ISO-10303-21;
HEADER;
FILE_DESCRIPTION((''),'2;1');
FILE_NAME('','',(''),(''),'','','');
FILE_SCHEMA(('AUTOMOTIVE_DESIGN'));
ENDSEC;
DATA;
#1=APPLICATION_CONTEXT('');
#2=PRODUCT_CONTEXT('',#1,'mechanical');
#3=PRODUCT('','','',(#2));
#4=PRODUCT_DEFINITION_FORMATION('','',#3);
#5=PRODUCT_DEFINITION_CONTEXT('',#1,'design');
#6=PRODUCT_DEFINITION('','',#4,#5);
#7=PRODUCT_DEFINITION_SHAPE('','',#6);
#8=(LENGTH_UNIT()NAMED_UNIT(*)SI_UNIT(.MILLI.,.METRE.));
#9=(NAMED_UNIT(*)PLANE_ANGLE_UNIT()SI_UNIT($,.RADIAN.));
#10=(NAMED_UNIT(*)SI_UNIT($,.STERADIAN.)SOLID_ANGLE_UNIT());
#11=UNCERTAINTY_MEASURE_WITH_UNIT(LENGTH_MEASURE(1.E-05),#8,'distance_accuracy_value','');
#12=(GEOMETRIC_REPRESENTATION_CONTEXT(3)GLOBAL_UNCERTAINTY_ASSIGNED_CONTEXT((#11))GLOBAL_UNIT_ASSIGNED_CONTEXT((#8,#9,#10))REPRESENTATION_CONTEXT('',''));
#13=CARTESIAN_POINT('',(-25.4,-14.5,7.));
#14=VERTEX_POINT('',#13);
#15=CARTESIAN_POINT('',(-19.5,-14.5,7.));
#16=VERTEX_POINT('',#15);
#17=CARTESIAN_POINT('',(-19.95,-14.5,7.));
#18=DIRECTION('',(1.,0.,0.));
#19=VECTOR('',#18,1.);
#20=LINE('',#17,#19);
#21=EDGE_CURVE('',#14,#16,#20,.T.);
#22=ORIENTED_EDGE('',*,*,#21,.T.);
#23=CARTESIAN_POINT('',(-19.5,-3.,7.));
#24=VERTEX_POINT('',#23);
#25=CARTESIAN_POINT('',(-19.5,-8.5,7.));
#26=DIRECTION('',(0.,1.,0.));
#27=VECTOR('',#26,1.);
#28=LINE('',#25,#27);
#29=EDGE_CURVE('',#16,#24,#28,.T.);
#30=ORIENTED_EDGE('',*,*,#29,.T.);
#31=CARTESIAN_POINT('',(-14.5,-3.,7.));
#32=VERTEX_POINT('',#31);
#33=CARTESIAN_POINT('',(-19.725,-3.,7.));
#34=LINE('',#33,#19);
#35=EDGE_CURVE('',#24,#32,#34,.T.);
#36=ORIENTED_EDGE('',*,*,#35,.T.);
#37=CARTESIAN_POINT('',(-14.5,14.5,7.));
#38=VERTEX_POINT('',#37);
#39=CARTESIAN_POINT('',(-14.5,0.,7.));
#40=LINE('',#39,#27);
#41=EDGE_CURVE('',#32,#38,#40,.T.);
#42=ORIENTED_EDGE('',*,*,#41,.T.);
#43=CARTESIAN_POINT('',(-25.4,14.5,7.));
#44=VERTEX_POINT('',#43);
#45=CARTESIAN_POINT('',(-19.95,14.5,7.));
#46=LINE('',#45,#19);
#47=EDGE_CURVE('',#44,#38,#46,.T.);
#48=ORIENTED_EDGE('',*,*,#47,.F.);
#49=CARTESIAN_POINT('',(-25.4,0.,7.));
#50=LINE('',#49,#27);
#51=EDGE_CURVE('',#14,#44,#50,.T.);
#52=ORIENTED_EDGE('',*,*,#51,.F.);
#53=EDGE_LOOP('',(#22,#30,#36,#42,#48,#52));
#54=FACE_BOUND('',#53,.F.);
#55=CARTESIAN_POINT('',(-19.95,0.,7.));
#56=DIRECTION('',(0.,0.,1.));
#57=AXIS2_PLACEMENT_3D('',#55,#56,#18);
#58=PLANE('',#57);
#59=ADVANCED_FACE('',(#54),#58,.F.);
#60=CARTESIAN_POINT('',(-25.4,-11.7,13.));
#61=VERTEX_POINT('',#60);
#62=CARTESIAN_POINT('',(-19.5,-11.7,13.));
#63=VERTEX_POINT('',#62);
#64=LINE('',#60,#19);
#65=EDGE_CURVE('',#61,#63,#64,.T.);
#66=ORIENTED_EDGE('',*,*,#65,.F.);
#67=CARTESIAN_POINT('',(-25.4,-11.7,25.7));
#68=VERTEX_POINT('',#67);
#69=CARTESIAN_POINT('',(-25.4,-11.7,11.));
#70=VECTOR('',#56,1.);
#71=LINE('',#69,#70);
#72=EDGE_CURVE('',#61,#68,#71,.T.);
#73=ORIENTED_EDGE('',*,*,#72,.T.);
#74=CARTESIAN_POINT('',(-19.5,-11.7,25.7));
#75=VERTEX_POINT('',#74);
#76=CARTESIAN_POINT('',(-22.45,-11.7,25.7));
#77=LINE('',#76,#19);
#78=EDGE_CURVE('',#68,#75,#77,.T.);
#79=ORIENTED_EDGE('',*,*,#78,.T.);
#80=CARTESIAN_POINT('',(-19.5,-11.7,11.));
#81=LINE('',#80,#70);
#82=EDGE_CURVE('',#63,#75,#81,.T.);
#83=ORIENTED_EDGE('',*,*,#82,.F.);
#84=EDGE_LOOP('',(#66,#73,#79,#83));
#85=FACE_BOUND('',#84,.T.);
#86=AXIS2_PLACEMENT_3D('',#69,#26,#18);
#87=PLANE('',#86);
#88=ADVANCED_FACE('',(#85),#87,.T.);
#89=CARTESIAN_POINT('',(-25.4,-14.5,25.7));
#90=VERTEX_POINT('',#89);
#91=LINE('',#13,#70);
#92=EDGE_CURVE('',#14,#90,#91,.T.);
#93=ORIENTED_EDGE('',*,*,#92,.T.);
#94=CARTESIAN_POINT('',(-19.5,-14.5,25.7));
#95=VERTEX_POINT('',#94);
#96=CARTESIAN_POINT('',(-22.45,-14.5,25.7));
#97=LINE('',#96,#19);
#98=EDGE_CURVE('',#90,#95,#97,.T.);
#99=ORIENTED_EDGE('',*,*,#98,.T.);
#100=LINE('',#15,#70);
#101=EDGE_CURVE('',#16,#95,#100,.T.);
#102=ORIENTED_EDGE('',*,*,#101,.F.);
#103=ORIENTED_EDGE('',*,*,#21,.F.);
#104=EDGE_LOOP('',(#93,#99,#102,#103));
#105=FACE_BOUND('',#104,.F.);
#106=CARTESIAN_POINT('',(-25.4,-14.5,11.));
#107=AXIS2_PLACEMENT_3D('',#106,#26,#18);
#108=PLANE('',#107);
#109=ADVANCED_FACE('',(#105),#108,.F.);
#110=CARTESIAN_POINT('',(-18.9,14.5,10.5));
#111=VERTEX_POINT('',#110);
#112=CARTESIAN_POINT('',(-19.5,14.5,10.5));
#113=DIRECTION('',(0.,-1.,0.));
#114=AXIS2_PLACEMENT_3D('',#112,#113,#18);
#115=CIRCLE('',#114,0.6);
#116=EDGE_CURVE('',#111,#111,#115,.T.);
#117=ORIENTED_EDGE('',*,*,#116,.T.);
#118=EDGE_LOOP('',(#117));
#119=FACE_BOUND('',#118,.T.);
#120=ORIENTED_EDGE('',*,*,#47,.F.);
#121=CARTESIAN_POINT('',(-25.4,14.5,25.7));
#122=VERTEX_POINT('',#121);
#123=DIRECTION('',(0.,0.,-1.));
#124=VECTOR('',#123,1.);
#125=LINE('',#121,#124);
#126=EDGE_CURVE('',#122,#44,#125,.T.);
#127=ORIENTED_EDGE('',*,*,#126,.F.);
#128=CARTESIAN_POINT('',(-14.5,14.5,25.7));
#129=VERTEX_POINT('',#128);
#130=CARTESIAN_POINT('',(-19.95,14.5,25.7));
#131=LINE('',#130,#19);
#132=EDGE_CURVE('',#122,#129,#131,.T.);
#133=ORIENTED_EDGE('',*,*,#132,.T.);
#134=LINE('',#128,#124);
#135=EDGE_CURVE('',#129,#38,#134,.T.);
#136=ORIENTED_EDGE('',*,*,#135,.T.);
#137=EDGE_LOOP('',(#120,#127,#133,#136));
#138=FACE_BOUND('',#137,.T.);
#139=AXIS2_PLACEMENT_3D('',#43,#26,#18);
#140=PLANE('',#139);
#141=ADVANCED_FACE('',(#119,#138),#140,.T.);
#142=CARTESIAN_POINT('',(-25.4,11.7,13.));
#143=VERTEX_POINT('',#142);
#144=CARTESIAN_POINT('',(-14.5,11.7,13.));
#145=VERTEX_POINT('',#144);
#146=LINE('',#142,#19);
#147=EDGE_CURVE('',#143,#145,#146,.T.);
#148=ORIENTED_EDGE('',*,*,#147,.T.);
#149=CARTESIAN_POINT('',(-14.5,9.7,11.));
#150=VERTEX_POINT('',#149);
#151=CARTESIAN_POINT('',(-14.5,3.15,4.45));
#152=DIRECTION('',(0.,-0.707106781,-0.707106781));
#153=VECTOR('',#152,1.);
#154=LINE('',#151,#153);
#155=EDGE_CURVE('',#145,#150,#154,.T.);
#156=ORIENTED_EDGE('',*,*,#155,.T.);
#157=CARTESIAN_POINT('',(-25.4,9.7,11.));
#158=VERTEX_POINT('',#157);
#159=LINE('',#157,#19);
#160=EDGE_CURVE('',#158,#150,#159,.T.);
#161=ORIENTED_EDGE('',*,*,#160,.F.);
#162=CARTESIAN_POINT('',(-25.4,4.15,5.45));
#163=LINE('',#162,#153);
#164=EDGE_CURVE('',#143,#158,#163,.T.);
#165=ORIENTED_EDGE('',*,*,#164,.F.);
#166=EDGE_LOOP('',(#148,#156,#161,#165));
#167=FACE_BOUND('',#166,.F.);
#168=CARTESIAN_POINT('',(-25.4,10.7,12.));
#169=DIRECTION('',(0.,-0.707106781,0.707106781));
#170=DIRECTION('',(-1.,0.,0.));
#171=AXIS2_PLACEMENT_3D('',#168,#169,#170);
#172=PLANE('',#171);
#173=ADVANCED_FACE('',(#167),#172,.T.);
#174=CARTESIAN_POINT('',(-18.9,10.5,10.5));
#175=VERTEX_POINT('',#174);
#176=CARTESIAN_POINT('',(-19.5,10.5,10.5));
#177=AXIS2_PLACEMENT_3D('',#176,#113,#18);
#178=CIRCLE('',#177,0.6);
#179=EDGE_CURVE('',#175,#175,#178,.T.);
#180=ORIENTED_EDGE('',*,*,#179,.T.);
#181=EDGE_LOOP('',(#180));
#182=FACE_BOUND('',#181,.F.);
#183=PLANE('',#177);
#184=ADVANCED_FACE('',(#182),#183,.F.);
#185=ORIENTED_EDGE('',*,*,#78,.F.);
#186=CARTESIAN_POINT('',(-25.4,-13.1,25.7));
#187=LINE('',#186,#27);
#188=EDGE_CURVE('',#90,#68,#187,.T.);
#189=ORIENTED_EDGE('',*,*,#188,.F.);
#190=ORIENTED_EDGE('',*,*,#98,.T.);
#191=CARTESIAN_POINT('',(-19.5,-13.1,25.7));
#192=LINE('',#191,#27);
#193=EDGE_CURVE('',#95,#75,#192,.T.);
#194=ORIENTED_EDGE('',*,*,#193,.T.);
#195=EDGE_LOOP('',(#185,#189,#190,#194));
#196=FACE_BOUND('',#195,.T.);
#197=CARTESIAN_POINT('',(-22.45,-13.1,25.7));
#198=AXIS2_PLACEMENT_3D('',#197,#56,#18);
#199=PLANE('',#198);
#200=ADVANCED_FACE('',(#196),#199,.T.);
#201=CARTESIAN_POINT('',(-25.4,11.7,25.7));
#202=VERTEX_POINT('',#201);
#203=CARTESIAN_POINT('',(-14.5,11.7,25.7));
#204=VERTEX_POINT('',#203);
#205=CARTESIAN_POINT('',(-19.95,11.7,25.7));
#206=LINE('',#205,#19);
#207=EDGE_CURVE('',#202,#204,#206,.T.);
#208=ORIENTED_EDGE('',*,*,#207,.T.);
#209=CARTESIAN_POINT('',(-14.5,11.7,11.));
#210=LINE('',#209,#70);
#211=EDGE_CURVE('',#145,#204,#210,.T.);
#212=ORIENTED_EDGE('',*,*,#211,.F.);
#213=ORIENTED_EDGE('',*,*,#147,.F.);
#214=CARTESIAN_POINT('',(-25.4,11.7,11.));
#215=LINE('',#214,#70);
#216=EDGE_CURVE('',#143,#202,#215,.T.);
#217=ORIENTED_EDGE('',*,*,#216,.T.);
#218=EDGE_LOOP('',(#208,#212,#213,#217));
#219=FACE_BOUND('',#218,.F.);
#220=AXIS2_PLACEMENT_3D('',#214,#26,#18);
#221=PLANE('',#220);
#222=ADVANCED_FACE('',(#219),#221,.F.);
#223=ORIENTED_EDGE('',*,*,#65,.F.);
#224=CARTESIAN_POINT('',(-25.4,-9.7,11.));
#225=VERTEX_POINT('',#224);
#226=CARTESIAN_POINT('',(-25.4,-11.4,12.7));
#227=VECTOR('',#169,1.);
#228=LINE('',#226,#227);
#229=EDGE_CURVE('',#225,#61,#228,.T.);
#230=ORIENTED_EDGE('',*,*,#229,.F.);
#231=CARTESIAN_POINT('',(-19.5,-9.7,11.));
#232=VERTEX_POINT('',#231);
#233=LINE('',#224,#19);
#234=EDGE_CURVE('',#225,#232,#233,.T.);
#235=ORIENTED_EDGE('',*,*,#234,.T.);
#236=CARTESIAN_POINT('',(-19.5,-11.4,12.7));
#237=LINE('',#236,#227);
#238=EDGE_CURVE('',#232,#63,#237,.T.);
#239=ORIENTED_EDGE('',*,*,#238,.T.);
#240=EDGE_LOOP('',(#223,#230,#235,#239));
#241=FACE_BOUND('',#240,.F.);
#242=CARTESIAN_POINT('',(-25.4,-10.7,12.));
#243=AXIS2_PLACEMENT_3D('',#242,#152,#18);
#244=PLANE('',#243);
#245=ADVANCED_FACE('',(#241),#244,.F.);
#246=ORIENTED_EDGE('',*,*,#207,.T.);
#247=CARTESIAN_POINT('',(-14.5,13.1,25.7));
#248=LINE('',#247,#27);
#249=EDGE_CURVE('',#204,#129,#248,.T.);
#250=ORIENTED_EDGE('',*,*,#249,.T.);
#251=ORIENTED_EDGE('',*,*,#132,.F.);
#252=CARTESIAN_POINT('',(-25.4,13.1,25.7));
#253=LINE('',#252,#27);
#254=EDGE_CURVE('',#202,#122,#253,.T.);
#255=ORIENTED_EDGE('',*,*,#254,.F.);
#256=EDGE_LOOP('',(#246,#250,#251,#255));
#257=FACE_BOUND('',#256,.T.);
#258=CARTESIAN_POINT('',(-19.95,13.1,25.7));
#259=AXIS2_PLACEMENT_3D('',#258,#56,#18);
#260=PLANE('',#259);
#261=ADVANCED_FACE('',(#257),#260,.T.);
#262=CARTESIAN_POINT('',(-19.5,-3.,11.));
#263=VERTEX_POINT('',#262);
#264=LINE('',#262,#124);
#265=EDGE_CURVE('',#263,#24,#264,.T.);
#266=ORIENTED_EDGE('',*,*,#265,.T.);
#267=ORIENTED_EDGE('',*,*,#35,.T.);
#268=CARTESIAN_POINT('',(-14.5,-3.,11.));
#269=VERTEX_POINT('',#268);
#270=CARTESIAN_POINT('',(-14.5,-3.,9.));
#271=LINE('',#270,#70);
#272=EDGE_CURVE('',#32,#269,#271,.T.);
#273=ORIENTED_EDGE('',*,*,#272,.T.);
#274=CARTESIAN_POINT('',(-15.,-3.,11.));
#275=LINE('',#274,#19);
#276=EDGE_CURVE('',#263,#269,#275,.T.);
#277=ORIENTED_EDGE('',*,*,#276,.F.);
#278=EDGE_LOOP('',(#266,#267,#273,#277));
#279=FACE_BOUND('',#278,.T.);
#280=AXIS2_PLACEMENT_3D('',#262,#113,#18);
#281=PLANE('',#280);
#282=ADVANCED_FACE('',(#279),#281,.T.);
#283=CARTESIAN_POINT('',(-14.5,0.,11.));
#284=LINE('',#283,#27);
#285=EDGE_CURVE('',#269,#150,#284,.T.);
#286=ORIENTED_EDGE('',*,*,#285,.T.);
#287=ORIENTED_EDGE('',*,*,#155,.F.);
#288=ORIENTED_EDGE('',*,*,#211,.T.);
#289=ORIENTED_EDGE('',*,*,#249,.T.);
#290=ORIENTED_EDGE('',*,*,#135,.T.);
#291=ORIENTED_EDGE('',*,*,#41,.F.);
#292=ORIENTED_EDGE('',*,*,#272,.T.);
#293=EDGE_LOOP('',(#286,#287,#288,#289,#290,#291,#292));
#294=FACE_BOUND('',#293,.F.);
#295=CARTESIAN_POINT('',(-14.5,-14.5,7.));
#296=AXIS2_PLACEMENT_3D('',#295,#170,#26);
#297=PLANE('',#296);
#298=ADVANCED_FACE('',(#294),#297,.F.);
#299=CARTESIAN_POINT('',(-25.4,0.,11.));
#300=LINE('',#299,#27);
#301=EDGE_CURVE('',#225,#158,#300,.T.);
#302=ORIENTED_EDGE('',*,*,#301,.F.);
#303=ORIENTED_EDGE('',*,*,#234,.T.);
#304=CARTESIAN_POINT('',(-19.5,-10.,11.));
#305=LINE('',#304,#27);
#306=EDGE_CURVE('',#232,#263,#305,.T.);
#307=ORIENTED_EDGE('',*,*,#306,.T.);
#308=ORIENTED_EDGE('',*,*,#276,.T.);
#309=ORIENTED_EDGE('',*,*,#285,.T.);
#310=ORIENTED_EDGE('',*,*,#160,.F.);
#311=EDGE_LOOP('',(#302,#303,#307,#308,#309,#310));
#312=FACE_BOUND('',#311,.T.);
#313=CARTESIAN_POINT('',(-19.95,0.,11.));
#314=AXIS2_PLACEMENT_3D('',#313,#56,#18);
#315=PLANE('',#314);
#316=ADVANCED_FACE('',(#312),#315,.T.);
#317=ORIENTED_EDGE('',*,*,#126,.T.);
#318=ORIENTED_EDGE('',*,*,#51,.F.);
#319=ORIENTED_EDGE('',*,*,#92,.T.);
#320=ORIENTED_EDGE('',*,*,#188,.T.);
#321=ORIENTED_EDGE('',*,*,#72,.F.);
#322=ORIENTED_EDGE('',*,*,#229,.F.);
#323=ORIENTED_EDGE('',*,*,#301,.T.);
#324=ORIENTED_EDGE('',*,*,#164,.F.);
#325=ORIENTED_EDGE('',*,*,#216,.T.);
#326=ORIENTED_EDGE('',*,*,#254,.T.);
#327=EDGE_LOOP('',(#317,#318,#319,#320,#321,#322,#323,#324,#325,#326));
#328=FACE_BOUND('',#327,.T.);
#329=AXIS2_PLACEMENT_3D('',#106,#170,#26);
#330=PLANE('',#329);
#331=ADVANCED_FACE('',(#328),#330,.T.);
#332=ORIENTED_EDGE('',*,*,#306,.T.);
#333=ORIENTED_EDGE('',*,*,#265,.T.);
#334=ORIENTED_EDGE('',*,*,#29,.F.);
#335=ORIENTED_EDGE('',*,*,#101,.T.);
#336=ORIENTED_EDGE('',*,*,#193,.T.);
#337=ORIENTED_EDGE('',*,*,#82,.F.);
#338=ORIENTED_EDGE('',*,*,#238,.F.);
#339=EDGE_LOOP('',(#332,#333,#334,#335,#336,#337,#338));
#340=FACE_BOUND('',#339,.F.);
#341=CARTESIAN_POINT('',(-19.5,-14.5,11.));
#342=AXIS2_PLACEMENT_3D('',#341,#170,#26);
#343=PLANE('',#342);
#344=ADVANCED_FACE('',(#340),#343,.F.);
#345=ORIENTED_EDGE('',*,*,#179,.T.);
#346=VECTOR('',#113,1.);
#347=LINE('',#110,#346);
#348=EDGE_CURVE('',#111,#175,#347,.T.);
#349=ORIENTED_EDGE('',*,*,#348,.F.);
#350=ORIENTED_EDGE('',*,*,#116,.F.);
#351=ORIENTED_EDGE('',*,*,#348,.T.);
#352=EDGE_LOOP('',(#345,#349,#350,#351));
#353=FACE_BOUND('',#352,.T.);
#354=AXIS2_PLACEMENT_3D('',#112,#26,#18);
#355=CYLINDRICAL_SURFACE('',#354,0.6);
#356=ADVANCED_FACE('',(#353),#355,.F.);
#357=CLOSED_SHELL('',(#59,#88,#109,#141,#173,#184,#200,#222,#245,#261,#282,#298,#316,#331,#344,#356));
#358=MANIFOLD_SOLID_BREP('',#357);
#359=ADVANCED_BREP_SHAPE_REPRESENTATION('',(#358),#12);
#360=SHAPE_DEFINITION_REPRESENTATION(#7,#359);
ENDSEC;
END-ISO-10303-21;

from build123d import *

# Parameters (mm, degrees)
SKETCH026_W     = 10.9
SKETCH026_H     = 29
PAD009_DEPTH    = 4
SKETCH027_W     = 9
SKETCH027_H     = 14
POCKET015_DEPTH = 4.001
SKETCH028_W     = 5.9
SKETCH028_H     = 2.8
SKETCH028_W_2   = 10.9
PAD010_DEPTH    = 14.7
CHAMFER001_SIZE = 2
SKETCH033_R     = 0.6
POCKET016_DEPTH = 4


with BuildPart() as part:
    # Sketch026 (on DatumPlane) → Pad009 (new body)
    with BuildSketch(Plane.XY.offset(7)):
        with Locations((-19.95, 0)):
            Rectangle(SKETCH026_W, SKETCH026_H)
    extrude(amount=PAD009_DEPTH)

    # Sketch027 (on DatumPlane) → Pocket015 (cut, through all)
    with BuildSketch(Plane.XY.offset(11)):
        with Locations((-15, -10)):
            Rectangle(SKETCH027_W, SKETCH027_H)
    extrude(amount=-POCKET015_DEPTH, mode=Mode.SUBTRACT)

    # Sketch028 (on DatumPlane) → Pad010 (join)
    with BuildSketch(Plane.XY.offset(11)):
        with Locations((-22.45, -13.1)):
            Rectangle(SKETCH028_W, SKETCH028_H)
        with Locations((-19.95, 13.1)):
            Rectangle(SKETCH028_W_2, SKETCH028_H)
    extrude(amount=PAD010_DEPTH)

    # Chamfer001
    chamfer001_edges = [part.edges().sort_by_distance(p)[0] for p in [
        (-19.95, 11.7, 11),
        (-22.45, -11.7, 11),
    ]]
    chamfer(chamfer001_edges, length=CHAMFER001_SIZE)

    # Sketch033 (on DatumPlane) → Pocket016 (cut)
    with BuildSketch(Plane.XZ.offset(-14.5)):
        with Locations((-19.5, 10.5)):
            Circle(SKETCH033_R)
    extrude(amount=POCKET016_DEPTH, mode=Mode.SUBTRACT)


solid = part.part
